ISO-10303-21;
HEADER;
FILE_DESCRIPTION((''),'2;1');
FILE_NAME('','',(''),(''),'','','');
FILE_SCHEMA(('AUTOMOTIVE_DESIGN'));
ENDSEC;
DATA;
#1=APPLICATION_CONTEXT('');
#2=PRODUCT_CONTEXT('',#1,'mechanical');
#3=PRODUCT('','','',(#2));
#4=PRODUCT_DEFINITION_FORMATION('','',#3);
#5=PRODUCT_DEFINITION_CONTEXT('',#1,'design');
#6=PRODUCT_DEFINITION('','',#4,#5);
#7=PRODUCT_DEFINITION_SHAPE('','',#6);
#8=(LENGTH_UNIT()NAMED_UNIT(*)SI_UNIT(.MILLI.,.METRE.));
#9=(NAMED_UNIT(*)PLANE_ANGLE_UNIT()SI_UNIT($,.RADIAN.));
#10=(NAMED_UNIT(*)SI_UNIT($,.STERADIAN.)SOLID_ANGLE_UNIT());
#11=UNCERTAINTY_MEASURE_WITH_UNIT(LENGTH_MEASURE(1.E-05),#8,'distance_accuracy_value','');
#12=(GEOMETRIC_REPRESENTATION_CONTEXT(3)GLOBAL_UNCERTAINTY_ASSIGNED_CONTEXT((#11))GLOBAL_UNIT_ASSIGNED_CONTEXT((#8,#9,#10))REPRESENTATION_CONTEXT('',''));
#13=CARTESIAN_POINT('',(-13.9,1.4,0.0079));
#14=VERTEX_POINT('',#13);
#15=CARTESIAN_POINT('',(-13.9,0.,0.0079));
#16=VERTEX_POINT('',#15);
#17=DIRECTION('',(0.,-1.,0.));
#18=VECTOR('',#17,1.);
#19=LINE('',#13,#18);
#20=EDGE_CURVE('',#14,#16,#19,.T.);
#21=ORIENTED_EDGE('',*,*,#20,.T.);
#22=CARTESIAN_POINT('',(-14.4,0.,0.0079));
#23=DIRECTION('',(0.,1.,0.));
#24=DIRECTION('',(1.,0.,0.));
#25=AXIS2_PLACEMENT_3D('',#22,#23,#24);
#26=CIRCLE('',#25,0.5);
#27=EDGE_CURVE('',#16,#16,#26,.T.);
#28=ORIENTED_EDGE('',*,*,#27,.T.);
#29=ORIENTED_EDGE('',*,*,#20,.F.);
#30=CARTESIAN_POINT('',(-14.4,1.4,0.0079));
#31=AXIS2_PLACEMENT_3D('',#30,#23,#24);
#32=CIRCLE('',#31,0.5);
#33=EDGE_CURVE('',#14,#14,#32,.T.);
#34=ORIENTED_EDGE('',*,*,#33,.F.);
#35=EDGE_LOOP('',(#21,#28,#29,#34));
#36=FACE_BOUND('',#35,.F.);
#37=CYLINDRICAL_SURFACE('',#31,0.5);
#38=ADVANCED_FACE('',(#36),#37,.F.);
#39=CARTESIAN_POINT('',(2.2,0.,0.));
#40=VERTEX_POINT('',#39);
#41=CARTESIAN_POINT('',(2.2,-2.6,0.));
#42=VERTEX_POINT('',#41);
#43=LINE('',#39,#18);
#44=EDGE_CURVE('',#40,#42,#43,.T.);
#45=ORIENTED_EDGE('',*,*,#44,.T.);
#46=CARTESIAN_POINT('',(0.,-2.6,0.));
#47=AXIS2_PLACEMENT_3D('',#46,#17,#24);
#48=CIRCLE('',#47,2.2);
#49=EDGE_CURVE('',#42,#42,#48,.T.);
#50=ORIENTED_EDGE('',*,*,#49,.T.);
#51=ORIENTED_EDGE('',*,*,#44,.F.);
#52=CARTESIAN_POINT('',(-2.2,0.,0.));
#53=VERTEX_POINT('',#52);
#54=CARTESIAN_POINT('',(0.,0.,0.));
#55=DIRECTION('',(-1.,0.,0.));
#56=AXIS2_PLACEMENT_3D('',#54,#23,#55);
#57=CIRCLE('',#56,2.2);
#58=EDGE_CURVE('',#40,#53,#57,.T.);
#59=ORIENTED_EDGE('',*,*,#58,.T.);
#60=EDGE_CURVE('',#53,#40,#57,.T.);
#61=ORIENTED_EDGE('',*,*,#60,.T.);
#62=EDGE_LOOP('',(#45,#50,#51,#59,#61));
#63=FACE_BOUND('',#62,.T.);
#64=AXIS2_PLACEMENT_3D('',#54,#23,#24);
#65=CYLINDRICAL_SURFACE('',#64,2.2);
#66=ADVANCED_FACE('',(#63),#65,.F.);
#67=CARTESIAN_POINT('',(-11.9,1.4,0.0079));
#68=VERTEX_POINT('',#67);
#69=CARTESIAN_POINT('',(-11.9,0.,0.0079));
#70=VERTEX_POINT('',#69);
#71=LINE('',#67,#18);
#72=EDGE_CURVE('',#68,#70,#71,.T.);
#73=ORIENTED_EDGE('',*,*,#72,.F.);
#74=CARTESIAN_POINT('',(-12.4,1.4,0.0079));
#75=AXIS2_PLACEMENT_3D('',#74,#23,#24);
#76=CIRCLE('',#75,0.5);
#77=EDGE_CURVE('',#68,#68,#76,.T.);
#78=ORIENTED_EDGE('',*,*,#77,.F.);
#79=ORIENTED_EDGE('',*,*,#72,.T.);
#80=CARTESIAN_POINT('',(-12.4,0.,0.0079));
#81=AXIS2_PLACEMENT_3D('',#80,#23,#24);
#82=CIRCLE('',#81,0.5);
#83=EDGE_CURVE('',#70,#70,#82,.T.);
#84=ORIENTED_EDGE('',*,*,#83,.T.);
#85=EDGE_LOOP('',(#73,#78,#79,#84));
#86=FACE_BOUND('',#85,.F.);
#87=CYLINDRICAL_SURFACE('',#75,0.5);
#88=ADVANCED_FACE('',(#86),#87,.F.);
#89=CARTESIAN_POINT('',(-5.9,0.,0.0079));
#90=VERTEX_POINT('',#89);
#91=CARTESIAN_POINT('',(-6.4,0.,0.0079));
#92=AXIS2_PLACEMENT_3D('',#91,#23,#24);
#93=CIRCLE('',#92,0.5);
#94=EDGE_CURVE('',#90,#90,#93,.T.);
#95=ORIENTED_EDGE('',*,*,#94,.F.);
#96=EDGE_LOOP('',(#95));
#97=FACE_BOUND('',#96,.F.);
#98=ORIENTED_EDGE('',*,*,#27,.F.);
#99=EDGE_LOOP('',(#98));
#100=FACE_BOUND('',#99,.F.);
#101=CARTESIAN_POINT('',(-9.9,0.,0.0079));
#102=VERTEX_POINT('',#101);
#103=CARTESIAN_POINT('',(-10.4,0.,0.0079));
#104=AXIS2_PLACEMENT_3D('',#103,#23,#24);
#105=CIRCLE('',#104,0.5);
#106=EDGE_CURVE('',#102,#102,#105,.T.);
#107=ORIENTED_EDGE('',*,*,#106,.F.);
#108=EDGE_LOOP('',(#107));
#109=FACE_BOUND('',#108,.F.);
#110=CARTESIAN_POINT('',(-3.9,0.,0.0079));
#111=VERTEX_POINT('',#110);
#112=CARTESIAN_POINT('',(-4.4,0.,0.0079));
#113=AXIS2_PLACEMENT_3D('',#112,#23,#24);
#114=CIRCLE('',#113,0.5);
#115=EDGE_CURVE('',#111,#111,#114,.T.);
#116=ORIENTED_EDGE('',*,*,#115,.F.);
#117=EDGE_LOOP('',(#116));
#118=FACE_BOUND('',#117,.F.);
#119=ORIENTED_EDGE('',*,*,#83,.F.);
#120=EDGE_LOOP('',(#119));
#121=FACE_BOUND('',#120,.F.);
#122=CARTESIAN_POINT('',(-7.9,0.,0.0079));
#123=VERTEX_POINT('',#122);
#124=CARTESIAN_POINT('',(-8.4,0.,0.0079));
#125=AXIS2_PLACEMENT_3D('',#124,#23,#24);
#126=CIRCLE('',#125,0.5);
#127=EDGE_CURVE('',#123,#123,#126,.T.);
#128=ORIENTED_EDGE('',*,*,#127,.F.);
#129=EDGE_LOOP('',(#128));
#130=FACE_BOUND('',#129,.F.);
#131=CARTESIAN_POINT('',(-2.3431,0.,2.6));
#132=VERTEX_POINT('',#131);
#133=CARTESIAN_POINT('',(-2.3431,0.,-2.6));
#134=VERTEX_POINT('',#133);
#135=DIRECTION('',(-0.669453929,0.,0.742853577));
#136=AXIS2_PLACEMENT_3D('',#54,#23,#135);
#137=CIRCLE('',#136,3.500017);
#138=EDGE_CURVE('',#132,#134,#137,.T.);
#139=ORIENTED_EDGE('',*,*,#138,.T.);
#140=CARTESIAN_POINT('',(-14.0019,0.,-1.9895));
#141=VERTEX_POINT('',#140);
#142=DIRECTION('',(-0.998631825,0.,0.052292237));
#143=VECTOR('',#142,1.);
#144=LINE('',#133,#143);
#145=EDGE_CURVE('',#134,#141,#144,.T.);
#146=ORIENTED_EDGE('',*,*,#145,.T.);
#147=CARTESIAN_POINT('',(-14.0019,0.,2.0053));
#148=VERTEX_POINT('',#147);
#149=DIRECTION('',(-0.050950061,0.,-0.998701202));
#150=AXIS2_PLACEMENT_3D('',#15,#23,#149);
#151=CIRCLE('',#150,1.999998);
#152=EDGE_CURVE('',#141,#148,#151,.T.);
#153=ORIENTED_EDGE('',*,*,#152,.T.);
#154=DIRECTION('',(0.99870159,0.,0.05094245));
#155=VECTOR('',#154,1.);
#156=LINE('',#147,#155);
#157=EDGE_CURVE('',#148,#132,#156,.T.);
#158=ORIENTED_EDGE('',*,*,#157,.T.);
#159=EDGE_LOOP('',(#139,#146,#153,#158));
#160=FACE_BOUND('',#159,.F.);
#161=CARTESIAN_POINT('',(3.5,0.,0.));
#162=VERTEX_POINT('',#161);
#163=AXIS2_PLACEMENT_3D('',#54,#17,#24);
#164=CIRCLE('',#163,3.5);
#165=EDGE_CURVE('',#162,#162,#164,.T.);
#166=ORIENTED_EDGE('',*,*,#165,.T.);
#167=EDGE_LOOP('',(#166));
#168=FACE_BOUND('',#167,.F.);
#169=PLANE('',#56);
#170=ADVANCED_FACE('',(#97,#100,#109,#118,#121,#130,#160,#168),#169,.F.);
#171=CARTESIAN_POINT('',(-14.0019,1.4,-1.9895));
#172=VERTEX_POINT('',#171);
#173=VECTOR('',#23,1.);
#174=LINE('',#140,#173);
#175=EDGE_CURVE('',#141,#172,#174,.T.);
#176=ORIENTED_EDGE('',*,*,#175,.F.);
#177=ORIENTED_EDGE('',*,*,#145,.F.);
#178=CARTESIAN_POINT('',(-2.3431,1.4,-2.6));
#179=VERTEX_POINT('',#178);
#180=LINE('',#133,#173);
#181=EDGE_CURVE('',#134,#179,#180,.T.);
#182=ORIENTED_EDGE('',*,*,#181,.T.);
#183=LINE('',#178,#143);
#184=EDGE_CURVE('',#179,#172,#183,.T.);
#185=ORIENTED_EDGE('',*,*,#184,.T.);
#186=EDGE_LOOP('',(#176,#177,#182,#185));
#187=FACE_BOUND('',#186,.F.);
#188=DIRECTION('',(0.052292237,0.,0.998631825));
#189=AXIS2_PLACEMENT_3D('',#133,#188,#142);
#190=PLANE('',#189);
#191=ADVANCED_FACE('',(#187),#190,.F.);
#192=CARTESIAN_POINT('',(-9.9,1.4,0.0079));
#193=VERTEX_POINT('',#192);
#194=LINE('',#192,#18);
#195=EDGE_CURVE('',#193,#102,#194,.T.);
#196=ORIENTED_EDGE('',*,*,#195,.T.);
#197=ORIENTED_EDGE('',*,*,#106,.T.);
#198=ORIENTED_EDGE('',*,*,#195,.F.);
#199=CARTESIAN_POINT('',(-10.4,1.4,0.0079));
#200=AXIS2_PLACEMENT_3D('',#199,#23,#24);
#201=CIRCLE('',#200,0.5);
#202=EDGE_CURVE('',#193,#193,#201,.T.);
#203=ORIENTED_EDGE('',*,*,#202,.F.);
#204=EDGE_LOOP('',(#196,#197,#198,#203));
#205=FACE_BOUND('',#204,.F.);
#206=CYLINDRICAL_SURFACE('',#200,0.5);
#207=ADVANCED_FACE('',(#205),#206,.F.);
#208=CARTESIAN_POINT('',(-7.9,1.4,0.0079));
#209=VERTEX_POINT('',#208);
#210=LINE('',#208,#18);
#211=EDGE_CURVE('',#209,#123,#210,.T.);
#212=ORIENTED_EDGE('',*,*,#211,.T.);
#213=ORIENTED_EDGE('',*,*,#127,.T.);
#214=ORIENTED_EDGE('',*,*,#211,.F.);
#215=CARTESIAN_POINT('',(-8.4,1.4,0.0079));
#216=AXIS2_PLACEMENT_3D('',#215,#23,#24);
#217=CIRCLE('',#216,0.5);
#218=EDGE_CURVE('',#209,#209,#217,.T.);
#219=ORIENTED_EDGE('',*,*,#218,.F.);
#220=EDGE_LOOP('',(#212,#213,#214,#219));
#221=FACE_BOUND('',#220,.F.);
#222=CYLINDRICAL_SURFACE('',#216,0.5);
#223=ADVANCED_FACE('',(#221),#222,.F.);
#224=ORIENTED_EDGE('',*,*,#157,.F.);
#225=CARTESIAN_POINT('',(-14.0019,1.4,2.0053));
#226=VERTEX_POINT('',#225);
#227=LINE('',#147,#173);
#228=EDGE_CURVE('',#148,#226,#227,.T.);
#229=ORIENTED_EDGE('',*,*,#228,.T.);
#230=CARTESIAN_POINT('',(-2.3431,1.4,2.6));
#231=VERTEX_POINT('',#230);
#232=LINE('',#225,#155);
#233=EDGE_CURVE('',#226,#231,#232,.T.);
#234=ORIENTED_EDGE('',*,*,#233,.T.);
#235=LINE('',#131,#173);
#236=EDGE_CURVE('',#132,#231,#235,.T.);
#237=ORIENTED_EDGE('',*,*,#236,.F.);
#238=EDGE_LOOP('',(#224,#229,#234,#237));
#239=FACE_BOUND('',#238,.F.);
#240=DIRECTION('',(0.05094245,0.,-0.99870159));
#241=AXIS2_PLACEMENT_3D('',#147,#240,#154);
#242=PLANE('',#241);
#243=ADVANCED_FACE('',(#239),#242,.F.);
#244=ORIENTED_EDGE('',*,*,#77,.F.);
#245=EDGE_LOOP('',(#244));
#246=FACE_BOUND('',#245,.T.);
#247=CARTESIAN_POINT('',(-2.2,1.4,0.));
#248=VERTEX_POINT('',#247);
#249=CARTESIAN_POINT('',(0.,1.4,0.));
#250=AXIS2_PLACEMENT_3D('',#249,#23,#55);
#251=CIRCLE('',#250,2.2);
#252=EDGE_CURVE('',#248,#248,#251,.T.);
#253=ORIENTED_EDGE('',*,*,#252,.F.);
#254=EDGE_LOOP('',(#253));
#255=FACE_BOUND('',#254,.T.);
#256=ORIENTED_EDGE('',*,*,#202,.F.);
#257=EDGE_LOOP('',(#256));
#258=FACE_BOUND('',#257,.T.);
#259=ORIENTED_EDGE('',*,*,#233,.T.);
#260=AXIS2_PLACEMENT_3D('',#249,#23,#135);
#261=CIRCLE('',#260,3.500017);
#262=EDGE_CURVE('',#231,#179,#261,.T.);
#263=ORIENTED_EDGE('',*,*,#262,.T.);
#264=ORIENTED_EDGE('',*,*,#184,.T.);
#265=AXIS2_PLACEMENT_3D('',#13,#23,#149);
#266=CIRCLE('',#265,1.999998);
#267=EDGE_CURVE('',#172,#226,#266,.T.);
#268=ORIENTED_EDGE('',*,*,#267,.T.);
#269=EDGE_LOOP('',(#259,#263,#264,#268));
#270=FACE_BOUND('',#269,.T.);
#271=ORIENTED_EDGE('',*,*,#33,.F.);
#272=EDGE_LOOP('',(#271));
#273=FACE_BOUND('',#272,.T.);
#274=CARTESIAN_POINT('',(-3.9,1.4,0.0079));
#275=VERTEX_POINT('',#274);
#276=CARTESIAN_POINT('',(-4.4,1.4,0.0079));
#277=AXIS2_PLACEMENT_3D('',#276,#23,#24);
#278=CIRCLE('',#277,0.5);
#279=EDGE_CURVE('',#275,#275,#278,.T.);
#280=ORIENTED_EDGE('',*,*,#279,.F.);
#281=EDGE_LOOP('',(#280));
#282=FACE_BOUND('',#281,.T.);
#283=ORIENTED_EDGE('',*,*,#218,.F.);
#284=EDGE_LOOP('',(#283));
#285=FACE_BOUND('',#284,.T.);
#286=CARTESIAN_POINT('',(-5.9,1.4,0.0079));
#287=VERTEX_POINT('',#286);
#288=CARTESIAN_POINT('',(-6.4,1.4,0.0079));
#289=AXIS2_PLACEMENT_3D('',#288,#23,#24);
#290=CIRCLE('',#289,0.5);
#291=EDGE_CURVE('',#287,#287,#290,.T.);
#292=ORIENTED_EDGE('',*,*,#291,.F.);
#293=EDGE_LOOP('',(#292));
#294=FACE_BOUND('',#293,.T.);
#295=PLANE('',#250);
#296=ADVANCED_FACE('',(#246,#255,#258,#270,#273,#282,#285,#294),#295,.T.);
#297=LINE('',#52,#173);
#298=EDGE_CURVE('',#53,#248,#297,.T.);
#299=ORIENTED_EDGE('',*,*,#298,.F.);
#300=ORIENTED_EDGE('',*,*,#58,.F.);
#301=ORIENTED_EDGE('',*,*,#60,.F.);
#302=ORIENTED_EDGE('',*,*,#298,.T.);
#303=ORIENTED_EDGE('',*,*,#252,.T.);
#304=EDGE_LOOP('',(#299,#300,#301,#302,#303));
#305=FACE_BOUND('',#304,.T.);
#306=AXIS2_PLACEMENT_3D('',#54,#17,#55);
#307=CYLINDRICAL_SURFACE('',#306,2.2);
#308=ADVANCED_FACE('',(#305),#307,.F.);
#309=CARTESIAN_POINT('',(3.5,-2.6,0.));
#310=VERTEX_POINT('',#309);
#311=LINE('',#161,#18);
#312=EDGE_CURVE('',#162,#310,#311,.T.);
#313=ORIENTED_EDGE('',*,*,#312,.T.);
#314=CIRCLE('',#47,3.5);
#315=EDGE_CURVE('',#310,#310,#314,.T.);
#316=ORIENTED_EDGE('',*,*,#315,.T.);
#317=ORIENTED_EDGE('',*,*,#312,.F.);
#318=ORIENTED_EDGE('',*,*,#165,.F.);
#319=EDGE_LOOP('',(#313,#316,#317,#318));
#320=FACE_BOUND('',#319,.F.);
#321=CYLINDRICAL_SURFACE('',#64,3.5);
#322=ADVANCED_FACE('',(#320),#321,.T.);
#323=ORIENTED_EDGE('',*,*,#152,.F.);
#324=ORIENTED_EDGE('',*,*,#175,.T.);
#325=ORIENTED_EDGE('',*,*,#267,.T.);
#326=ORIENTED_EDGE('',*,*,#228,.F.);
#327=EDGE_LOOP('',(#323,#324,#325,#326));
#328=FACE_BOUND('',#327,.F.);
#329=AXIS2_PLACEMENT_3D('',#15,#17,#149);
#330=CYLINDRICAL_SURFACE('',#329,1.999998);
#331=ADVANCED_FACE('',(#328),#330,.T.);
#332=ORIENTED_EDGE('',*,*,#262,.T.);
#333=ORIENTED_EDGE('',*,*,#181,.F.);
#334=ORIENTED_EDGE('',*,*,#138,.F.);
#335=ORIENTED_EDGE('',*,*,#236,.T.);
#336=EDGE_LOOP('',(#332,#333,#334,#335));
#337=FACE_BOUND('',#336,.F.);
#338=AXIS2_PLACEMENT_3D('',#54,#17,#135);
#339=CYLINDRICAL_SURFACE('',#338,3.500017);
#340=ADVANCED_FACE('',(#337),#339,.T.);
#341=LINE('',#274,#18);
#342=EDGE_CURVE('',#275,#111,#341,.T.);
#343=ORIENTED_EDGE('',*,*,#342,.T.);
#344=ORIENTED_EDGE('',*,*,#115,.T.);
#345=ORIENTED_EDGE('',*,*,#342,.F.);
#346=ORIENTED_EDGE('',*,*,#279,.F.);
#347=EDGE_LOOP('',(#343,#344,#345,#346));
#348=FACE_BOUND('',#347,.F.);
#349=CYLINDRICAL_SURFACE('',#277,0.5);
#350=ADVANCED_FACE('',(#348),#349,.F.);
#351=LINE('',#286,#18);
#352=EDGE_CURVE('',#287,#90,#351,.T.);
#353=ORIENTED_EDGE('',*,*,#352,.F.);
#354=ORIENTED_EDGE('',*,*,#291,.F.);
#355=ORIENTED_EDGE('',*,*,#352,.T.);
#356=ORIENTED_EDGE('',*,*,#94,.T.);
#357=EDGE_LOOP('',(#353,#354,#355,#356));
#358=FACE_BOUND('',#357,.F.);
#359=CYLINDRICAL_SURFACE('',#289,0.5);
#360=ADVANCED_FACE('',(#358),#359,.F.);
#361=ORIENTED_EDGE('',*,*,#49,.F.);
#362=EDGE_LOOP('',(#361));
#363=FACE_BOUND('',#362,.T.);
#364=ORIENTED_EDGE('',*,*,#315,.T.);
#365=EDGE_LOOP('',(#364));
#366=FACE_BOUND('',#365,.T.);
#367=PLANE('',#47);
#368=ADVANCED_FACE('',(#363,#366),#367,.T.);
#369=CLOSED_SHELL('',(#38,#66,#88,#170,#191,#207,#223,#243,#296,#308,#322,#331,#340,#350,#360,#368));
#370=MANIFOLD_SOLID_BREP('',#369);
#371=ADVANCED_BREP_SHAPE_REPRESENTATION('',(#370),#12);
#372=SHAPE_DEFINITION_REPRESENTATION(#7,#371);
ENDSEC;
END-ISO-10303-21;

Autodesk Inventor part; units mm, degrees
ref_plane "YZ Plane" through (0, 0, 0) normal (1, 0, 0) x (0, 1, 0)
ref_plane "XZ Plane" through (0, 0, 0) normal (0, 1, 0) x (-1, 0, 0)
ref_plane "XY Plane" through (0, 0, 0) normal (0, 0, 1) x (1, 0, 0)
sketch "Szkic1" plane through (0, 0, 0) normal (0, 1, 0) x (-1, 0, 0)
  circle A0 centre (0, 0) radius 3.5 construction
  line L0 (-3.5, 0.0079) -> (15.9, 0.0079) construction
  line L1 (15.9, 0.0079) -> (13.9, 0.0079) construction
  circle A1 centre (13.9, 0.0079) radius 2 construction
  line L2 (2.3431, 2.6) -> (2.3431, -2.6) construction
  line L3 (14.0019, 2.0053) -> (2.3431, 2.6) construction
  line L4 (14.0019, -1.9895) -> (2.3431, -2.6) construction
  circle A2 centre (0, 0) radius 2.2
  arc A3 (14.0019, -1.9895) -> (14.0019, 2.0053) centre (13.9, 0.0079) ccw
  arc A4 (2.3431, 2.6) -> (2.3431, -2.6) centre (0, 0) ccw
  line L5 (14.0019, 2.0053) -> (2.3431, 2.6)
  line L6 (2.3431, -2.6) -> (14.0019, -1.9895)
  dimension "d0" = 7
  dimension "d1" = 19.4
  dimension "d2" = 3.5
  dimension "d3" = 2
  dimension "d4" = 5.2
  dimension "d5" = 4.4
  dimension "d24" = 11.6588
  dimension "d25" = 11.6588
extrude "Wyciągnięcie proste1" add sketch "Szkic1" along normal blind 1.4
sketch "Szkic2" plane through (0, 0, 0) normal (0, -1, 0) x (1, 0, 0)
  circle A0 centre (0, 0) radius 3.5
  circle A1 centre (0, 0) radius 2.2
extrude "Wyciągnięcie proste2" add sketch "Szkic2" along normal blind 2.6
sketch "Szkic3" plane through (0, 1.4, 0) normal (0, 1, 0) x (1, 0, 0)
  circle A0 centre (0, 0) radius 2.2 construction
  line L0 (-2.2, -0.0079) -> (-15.9, -0.0079) construction
  arc A1 (-14.0019, 1.9895) -> (-14.0019, -2.0053) centre (-13.9, -0.0079) ccw construction
  line L1 (-15.9, -0.0079) -> (-14.4, -0.0079) construction
  circle A2 centre (-14.4, -0.0079) radius 0.5
  line L2 (-14.4, -0.0079) -> (-12.4, -0.0079) construction
  line L3 (-12.4, -0.0079) -> (-10.4, -0.0079) construction
  line L4 (-10.4, -0.0079) -> (-8.4, -0.0079) construction
  line L5 (-8.4, -0.0079) -> (-6.4, -0.0079) construction
  line L6 (-6.4, -0.0079) -> (-4.4, -0.0079) construction
  circle A3 centre (-12.4, -0.0079) radius 0.5
  circle A4 centre (-10.4, -0.0079) radius 0.5
  circle A5 centre (-8.4, -0.0079) radius 0.5
  circle A6 centre (-6.4, -0.0079) radius 0.5
  circle A7 centre (-4.4, -0.0079) radius 0.5
  point P0 (0, 0)
  dimension "d10" = 1.5
  dimension "d11" = 1
  dimension "d12" = 2
  dimension "d13" = 2
  dimension "d14" = 2
  dimension "d15" = 2
  dimension "d16" = 2
  dimension "d17" = 1
  dimension "d18" = 1
  dimension "d19" = 1
  dimension "d20" = 1
  dimension "d21" = 1
extrude "Wyciągnięcie proste3" cut sketch "Szkic3" against normal blind 1.4
equation "\"d25\" = d24"
properties part number "orczyk_1_2"
